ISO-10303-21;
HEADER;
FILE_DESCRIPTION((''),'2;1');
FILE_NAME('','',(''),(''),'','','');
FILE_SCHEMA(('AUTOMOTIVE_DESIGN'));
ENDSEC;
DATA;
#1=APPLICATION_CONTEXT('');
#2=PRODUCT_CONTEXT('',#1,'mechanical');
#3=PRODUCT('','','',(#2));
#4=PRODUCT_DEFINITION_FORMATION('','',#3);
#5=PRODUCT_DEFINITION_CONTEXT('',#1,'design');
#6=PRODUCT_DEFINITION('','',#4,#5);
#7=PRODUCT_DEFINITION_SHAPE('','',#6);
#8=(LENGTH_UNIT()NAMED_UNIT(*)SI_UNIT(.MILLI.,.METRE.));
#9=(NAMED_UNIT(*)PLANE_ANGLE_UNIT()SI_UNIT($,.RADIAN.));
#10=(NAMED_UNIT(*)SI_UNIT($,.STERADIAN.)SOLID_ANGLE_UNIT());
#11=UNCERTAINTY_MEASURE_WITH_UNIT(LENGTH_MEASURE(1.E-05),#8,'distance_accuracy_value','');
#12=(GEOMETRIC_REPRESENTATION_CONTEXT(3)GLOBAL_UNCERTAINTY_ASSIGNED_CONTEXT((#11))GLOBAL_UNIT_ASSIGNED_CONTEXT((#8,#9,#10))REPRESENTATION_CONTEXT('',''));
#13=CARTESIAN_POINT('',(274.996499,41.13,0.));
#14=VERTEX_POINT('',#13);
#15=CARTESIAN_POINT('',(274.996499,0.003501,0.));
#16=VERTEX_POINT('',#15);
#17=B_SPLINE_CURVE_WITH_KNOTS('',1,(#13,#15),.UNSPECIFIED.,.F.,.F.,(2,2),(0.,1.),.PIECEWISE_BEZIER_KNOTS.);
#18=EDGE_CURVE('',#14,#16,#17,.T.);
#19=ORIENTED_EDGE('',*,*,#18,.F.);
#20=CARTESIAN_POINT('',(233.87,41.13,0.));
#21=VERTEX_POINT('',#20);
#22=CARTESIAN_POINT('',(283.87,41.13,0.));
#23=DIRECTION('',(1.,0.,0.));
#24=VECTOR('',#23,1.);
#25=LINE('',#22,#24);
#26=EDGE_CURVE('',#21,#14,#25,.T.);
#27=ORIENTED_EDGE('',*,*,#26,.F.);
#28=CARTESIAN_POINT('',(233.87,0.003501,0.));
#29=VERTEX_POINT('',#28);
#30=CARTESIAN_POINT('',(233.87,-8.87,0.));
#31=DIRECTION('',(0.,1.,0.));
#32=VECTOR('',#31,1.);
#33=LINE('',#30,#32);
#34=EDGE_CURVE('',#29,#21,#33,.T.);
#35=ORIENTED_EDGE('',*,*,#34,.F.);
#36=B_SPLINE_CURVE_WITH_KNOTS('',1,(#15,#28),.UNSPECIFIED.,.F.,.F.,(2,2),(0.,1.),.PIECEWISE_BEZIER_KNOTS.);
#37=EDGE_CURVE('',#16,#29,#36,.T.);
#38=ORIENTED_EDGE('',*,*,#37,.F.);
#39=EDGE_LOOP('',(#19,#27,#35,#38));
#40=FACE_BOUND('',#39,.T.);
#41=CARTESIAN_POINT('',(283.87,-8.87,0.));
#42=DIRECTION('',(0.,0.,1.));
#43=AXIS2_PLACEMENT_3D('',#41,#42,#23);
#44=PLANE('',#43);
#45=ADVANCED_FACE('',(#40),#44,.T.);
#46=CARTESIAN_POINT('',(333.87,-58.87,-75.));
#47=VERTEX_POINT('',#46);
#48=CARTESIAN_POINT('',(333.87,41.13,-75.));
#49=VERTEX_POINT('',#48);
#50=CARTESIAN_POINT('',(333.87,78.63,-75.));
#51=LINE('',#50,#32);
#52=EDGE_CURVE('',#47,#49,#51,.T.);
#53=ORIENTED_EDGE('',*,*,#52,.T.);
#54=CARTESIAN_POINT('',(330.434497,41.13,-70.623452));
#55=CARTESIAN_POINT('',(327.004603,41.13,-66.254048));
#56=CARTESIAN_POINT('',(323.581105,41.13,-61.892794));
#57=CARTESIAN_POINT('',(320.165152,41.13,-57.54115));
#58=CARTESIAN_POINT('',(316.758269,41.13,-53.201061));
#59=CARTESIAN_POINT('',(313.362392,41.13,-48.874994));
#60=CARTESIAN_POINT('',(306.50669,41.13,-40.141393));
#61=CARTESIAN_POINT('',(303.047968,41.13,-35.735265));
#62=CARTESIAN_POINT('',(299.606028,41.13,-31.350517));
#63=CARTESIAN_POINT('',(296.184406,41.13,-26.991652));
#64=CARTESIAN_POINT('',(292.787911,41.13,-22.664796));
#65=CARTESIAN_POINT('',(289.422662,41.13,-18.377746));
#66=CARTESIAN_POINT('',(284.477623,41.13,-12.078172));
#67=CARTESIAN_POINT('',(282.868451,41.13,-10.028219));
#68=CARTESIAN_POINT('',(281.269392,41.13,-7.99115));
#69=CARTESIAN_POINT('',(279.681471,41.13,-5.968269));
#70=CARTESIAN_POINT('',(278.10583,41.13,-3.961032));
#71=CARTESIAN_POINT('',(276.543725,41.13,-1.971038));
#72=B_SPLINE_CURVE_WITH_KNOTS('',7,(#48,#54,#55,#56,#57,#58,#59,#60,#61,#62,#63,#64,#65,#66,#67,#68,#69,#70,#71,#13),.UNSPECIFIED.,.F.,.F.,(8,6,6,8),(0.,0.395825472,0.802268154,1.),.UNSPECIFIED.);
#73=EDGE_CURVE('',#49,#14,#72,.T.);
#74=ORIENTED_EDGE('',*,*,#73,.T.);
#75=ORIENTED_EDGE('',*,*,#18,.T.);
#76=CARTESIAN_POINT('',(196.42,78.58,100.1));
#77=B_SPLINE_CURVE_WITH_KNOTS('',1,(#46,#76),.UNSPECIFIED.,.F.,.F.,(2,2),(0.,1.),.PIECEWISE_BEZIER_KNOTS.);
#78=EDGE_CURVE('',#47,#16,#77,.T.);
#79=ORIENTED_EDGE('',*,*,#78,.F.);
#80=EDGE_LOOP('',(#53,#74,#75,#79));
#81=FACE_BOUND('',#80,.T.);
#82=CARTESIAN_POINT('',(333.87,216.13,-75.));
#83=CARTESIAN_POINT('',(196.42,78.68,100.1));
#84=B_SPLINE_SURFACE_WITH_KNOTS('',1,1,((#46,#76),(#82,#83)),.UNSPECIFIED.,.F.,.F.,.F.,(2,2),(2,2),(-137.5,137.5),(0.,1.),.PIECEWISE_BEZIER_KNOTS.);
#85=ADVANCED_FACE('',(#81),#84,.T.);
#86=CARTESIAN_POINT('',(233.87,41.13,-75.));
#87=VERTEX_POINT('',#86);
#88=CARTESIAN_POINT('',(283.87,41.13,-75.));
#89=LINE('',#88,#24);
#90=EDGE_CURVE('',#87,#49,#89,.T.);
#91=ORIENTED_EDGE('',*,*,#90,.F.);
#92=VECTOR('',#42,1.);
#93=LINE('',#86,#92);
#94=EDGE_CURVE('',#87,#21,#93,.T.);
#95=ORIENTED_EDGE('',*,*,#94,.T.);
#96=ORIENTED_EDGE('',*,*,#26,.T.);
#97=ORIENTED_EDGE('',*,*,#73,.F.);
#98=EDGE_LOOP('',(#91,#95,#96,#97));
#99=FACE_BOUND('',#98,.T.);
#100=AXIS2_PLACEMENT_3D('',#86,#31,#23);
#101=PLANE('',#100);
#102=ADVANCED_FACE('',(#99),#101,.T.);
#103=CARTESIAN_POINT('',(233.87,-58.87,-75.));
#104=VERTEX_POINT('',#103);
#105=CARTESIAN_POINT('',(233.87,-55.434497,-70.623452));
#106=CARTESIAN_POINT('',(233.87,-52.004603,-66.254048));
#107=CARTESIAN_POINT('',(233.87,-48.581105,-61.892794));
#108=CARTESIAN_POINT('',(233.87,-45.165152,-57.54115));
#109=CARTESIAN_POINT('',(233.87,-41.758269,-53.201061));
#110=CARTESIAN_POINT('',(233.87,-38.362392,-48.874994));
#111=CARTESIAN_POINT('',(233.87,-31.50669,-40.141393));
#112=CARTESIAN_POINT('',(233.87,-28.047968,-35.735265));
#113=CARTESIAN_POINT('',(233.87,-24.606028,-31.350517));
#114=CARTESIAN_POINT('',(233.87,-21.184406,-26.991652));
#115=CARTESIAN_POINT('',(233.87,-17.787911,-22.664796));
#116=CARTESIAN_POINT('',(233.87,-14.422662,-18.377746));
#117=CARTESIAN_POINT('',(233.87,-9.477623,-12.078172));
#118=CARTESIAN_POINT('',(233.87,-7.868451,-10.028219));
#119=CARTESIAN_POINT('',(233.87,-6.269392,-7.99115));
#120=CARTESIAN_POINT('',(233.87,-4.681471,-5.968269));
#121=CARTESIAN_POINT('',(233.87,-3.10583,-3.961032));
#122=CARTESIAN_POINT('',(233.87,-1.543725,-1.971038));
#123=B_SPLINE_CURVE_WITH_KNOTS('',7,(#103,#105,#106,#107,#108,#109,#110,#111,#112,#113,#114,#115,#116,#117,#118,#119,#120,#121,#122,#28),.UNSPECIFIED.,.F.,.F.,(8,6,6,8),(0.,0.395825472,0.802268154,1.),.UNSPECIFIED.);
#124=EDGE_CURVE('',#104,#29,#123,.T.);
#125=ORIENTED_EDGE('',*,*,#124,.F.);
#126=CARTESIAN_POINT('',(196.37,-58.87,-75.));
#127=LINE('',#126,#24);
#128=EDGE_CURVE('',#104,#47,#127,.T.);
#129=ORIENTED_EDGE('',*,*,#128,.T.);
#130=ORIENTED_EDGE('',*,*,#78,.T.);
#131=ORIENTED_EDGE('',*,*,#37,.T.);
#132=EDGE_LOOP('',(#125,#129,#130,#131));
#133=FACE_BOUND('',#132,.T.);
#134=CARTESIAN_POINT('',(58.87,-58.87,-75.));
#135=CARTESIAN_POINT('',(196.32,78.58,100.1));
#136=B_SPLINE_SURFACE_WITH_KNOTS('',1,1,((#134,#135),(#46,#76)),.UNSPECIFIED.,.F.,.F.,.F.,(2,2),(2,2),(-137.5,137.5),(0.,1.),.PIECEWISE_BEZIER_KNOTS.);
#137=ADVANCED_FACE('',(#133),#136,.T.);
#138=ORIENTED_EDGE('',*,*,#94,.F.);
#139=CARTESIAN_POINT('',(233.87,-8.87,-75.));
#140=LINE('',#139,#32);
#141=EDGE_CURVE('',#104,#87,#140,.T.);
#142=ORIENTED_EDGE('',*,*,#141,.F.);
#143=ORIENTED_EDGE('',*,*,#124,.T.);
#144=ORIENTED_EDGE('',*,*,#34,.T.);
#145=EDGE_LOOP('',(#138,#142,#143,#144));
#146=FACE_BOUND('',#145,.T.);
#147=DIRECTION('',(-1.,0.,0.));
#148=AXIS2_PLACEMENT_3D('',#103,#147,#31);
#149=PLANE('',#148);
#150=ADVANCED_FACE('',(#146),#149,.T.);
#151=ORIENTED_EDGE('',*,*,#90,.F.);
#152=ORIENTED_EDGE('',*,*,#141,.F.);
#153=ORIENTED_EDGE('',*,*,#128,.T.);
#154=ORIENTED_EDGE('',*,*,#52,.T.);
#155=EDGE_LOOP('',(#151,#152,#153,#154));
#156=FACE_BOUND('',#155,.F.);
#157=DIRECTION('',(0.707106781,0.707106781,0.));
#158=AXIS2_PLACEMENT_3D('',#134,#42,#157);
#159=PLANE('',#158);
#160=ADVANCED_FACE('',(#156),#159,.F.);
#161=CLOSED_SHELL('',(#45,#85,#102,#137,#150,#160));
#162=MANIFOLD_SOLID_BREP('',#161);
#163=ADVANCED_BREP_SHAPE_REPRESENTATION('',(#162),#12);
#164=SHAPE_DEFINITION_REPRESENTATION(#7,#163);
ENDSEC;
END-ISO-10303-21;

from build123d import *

# Parameters (mm, degrees)
BOX019_W     = 100
BOX019_H     = 100
BOX019_DEPTH = 75
SKETCH052_W  = 275
SKETCH052_H  = 275
SKETCH053_W  = 0.1
SKETCH053_H  = 0.1


with BuildPart() as cube001:
    # Box019 → Box019 (new body)
    with BuildSketch(Plane(origin=(175, 0, 0), x_dir=(1, 0, 0), z_dir=(0, 0, 1))):
        with Locations((50, 50)):
            Rectangle(BOX019_W, BOX019_H)
    extrude(amount=BOX019_DEPTH)


with BuildPart() as legs002:
    # Sketch052 → Loft018 section 0
    with BuildSketch(Plane.XY):
        with Locations((137.5, 137.5)):
            Rectangle(SKETCH052_W, SKETCH052_H)
    # Sketch053 → Loft018 section 1
    with BuildSketch(Plane.XY.offset(175.1)):
        with Locations((137.5, 137.5)):
            Rectangle(SKETCH053_W, SKETCH053_H)
    loft()

    # Common013: intersect Cube001
    add(cube001.part, mode=Mode.INTERSECT)


with BuildPart() as legs002_1:
    # Common013 placement: moved
    add(legs002.part.moved(Location((58.87, -58.87, -75))))


solid = legs002_1.part
